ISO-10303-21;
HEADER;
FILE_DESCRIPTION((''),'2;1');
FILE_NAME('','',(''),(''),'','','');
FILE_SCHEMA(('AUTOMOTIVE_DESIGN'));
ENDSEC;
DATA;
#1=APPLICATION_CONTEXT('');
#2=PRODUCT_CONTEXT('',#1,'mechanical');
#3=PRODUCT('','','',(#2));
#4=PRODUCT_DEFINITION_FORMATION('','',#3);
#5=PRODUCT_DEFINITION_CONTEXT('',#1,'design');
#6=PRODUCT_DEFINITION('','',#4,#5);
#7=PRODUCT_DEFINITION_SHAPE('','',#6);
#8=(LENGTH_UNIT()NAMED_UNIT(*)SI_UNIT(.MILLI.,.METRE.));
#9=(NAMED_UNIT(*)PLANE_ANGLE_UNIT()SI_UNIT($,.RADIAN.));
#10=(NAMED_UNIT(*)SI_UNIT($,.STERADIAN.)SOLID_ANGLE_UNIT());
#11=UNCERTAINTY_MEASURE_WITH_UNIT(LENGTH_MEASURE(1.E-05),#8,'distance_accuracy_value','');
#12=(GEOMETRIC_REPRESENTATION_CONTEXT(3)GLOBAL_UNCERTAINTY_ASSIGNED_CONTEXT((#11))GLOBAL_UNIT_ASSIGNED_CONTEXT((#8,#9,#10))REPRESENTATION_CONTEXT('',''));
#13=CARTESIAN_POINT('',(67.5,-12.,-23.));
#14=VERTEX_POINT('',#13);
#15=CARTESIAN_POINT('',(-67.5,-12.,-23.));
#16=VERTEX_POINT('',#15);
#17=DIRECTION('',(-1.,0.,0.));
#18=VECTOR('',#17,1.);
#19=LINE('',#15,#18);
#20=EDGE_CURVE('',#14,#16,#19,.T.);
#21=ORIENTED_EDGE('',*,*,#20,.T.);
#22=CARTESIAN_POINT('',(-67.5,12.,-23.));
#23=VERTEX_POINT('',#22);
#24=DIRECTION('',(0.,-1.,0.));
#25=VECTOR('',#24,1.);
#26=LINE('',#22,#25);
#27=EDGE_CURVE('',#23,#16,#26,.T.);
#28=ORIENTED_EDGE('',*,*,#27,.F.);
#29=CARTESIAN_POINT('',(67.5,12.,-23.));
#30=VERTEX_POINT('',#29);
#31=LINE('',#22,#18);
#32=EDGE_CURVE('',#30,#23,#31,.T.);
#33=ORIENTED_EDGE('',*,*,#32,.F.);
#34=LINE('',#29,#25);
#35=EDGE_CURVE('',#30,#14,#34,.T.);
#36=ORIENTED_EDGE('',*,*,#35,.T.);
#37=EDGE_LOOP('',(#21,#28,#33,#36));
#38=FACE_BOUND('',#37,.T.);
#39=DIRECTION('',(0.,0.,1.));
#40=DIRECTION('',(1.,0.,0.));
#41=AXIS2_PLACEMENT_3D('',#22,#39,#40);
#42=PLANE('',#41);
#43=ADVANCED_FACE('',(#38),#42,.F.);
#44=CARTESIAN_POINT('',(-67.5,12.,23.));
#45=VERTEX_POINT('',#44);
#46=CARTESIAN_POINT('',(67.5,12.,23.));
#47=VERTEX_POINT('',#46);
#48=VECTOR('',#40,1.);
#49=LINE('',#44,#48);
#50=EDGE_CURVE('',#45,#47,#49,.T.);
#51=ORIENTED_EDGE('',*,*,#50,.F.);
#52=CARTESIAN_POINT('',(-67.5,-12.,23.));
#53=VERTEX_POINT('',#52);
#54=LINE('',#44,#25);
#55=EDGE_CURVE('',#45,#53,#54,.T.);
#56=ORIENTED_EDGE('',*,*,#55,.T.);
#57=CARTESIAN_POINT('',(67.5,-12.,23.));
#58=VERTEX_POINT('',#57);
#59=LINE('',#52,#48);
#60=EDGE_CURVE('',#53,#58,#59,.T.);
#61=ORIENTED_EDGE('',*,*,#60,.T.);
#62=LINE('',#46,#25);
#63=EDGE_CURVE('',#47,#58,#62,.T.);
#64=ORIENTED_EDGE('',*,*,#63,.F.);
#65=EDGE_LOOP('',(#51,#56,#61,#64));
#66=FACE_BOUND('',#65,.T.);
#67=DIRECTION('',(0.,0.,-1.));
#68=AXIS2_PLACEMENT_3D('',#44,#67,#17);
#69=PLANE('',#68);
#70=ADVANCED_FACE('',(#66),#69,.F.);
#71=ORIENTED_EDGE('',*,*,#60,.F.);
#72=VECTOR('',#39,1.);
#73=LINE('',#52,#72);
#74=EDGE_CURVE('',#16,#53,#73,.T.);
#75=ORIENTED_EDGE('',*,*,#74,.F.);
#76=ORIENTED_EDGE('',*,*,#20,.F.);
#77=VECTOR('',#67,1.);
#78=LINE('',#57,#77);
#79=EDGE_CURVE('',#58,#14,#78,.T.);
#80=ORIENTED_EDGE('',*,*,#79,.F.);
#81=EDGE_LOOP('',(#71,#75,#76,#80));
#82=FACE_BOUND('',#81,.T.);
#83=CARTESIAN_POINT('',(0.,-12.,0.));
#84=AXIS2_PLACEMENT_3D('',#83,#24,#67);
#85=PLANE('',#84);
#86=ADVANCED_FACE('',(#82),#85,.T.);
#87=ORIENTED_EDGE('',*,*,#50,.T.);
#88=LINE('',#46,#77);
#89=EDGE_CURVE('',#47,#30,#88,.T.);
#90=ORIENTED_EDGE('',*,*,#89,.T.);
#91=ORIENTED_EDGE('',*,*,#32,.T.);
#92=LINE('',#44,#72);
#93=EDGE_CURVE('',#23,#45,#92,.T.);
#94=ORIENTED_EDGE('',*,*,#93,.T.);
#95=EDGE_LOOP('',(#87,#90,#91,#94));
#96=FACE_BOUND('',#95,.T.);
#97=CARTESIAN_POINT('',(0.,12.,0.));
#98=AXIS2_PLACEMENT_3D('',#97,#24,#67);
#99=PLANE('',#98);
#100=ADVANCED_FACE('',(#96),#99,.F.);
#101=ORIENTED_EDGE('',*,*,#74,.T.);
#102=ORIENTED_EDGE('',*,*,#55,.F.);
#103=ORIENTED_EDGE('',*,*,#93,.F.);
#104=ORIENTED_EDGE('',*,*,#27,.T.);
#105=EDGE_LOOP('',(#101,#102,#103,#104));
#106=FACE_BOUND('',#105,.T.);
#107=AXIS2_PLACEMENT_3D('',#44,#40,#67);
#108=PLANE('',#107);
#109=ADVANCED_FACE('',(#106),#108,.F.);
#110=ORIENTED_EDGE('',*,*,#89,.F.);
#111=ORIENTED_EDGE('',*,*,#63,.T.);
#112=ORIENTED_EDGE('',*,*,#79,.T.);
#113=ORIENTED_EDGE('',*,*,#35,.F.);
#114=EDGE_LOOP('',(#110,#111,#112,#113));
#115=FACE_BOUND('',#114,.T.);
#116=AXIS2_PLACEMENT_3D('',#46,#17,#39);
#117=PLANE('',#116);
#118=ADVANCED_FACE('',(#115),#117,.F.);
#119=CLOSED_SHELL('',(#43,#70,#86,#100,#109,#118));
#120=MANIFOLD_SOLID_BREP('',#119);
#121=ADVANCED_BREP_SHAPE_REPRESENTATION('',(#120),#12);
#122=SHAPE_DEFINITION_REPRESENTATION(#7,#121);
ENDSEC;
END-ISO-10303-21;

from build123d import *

# Parameters (mm, degrees)
SKETCH1_W           = 135
SKETCH1_H           = 46
BOSS_EXTRUDE1_DEPTH = 12


with BuildPart() as part:
    # Sketch1 → Boss-Extrude1 (new body, symmetric)
    with BuildSketch(Plane(origin=(0, 0, 0), x_dir=(1, 0, 0), z_dir=(0, 1, 0))):
        Rectangle(SKETCH1_W, SKETCH1_H)
    extrude(amount=BOSS_EXTRUDE1_DEPTH, both=True)


solid = part.part
